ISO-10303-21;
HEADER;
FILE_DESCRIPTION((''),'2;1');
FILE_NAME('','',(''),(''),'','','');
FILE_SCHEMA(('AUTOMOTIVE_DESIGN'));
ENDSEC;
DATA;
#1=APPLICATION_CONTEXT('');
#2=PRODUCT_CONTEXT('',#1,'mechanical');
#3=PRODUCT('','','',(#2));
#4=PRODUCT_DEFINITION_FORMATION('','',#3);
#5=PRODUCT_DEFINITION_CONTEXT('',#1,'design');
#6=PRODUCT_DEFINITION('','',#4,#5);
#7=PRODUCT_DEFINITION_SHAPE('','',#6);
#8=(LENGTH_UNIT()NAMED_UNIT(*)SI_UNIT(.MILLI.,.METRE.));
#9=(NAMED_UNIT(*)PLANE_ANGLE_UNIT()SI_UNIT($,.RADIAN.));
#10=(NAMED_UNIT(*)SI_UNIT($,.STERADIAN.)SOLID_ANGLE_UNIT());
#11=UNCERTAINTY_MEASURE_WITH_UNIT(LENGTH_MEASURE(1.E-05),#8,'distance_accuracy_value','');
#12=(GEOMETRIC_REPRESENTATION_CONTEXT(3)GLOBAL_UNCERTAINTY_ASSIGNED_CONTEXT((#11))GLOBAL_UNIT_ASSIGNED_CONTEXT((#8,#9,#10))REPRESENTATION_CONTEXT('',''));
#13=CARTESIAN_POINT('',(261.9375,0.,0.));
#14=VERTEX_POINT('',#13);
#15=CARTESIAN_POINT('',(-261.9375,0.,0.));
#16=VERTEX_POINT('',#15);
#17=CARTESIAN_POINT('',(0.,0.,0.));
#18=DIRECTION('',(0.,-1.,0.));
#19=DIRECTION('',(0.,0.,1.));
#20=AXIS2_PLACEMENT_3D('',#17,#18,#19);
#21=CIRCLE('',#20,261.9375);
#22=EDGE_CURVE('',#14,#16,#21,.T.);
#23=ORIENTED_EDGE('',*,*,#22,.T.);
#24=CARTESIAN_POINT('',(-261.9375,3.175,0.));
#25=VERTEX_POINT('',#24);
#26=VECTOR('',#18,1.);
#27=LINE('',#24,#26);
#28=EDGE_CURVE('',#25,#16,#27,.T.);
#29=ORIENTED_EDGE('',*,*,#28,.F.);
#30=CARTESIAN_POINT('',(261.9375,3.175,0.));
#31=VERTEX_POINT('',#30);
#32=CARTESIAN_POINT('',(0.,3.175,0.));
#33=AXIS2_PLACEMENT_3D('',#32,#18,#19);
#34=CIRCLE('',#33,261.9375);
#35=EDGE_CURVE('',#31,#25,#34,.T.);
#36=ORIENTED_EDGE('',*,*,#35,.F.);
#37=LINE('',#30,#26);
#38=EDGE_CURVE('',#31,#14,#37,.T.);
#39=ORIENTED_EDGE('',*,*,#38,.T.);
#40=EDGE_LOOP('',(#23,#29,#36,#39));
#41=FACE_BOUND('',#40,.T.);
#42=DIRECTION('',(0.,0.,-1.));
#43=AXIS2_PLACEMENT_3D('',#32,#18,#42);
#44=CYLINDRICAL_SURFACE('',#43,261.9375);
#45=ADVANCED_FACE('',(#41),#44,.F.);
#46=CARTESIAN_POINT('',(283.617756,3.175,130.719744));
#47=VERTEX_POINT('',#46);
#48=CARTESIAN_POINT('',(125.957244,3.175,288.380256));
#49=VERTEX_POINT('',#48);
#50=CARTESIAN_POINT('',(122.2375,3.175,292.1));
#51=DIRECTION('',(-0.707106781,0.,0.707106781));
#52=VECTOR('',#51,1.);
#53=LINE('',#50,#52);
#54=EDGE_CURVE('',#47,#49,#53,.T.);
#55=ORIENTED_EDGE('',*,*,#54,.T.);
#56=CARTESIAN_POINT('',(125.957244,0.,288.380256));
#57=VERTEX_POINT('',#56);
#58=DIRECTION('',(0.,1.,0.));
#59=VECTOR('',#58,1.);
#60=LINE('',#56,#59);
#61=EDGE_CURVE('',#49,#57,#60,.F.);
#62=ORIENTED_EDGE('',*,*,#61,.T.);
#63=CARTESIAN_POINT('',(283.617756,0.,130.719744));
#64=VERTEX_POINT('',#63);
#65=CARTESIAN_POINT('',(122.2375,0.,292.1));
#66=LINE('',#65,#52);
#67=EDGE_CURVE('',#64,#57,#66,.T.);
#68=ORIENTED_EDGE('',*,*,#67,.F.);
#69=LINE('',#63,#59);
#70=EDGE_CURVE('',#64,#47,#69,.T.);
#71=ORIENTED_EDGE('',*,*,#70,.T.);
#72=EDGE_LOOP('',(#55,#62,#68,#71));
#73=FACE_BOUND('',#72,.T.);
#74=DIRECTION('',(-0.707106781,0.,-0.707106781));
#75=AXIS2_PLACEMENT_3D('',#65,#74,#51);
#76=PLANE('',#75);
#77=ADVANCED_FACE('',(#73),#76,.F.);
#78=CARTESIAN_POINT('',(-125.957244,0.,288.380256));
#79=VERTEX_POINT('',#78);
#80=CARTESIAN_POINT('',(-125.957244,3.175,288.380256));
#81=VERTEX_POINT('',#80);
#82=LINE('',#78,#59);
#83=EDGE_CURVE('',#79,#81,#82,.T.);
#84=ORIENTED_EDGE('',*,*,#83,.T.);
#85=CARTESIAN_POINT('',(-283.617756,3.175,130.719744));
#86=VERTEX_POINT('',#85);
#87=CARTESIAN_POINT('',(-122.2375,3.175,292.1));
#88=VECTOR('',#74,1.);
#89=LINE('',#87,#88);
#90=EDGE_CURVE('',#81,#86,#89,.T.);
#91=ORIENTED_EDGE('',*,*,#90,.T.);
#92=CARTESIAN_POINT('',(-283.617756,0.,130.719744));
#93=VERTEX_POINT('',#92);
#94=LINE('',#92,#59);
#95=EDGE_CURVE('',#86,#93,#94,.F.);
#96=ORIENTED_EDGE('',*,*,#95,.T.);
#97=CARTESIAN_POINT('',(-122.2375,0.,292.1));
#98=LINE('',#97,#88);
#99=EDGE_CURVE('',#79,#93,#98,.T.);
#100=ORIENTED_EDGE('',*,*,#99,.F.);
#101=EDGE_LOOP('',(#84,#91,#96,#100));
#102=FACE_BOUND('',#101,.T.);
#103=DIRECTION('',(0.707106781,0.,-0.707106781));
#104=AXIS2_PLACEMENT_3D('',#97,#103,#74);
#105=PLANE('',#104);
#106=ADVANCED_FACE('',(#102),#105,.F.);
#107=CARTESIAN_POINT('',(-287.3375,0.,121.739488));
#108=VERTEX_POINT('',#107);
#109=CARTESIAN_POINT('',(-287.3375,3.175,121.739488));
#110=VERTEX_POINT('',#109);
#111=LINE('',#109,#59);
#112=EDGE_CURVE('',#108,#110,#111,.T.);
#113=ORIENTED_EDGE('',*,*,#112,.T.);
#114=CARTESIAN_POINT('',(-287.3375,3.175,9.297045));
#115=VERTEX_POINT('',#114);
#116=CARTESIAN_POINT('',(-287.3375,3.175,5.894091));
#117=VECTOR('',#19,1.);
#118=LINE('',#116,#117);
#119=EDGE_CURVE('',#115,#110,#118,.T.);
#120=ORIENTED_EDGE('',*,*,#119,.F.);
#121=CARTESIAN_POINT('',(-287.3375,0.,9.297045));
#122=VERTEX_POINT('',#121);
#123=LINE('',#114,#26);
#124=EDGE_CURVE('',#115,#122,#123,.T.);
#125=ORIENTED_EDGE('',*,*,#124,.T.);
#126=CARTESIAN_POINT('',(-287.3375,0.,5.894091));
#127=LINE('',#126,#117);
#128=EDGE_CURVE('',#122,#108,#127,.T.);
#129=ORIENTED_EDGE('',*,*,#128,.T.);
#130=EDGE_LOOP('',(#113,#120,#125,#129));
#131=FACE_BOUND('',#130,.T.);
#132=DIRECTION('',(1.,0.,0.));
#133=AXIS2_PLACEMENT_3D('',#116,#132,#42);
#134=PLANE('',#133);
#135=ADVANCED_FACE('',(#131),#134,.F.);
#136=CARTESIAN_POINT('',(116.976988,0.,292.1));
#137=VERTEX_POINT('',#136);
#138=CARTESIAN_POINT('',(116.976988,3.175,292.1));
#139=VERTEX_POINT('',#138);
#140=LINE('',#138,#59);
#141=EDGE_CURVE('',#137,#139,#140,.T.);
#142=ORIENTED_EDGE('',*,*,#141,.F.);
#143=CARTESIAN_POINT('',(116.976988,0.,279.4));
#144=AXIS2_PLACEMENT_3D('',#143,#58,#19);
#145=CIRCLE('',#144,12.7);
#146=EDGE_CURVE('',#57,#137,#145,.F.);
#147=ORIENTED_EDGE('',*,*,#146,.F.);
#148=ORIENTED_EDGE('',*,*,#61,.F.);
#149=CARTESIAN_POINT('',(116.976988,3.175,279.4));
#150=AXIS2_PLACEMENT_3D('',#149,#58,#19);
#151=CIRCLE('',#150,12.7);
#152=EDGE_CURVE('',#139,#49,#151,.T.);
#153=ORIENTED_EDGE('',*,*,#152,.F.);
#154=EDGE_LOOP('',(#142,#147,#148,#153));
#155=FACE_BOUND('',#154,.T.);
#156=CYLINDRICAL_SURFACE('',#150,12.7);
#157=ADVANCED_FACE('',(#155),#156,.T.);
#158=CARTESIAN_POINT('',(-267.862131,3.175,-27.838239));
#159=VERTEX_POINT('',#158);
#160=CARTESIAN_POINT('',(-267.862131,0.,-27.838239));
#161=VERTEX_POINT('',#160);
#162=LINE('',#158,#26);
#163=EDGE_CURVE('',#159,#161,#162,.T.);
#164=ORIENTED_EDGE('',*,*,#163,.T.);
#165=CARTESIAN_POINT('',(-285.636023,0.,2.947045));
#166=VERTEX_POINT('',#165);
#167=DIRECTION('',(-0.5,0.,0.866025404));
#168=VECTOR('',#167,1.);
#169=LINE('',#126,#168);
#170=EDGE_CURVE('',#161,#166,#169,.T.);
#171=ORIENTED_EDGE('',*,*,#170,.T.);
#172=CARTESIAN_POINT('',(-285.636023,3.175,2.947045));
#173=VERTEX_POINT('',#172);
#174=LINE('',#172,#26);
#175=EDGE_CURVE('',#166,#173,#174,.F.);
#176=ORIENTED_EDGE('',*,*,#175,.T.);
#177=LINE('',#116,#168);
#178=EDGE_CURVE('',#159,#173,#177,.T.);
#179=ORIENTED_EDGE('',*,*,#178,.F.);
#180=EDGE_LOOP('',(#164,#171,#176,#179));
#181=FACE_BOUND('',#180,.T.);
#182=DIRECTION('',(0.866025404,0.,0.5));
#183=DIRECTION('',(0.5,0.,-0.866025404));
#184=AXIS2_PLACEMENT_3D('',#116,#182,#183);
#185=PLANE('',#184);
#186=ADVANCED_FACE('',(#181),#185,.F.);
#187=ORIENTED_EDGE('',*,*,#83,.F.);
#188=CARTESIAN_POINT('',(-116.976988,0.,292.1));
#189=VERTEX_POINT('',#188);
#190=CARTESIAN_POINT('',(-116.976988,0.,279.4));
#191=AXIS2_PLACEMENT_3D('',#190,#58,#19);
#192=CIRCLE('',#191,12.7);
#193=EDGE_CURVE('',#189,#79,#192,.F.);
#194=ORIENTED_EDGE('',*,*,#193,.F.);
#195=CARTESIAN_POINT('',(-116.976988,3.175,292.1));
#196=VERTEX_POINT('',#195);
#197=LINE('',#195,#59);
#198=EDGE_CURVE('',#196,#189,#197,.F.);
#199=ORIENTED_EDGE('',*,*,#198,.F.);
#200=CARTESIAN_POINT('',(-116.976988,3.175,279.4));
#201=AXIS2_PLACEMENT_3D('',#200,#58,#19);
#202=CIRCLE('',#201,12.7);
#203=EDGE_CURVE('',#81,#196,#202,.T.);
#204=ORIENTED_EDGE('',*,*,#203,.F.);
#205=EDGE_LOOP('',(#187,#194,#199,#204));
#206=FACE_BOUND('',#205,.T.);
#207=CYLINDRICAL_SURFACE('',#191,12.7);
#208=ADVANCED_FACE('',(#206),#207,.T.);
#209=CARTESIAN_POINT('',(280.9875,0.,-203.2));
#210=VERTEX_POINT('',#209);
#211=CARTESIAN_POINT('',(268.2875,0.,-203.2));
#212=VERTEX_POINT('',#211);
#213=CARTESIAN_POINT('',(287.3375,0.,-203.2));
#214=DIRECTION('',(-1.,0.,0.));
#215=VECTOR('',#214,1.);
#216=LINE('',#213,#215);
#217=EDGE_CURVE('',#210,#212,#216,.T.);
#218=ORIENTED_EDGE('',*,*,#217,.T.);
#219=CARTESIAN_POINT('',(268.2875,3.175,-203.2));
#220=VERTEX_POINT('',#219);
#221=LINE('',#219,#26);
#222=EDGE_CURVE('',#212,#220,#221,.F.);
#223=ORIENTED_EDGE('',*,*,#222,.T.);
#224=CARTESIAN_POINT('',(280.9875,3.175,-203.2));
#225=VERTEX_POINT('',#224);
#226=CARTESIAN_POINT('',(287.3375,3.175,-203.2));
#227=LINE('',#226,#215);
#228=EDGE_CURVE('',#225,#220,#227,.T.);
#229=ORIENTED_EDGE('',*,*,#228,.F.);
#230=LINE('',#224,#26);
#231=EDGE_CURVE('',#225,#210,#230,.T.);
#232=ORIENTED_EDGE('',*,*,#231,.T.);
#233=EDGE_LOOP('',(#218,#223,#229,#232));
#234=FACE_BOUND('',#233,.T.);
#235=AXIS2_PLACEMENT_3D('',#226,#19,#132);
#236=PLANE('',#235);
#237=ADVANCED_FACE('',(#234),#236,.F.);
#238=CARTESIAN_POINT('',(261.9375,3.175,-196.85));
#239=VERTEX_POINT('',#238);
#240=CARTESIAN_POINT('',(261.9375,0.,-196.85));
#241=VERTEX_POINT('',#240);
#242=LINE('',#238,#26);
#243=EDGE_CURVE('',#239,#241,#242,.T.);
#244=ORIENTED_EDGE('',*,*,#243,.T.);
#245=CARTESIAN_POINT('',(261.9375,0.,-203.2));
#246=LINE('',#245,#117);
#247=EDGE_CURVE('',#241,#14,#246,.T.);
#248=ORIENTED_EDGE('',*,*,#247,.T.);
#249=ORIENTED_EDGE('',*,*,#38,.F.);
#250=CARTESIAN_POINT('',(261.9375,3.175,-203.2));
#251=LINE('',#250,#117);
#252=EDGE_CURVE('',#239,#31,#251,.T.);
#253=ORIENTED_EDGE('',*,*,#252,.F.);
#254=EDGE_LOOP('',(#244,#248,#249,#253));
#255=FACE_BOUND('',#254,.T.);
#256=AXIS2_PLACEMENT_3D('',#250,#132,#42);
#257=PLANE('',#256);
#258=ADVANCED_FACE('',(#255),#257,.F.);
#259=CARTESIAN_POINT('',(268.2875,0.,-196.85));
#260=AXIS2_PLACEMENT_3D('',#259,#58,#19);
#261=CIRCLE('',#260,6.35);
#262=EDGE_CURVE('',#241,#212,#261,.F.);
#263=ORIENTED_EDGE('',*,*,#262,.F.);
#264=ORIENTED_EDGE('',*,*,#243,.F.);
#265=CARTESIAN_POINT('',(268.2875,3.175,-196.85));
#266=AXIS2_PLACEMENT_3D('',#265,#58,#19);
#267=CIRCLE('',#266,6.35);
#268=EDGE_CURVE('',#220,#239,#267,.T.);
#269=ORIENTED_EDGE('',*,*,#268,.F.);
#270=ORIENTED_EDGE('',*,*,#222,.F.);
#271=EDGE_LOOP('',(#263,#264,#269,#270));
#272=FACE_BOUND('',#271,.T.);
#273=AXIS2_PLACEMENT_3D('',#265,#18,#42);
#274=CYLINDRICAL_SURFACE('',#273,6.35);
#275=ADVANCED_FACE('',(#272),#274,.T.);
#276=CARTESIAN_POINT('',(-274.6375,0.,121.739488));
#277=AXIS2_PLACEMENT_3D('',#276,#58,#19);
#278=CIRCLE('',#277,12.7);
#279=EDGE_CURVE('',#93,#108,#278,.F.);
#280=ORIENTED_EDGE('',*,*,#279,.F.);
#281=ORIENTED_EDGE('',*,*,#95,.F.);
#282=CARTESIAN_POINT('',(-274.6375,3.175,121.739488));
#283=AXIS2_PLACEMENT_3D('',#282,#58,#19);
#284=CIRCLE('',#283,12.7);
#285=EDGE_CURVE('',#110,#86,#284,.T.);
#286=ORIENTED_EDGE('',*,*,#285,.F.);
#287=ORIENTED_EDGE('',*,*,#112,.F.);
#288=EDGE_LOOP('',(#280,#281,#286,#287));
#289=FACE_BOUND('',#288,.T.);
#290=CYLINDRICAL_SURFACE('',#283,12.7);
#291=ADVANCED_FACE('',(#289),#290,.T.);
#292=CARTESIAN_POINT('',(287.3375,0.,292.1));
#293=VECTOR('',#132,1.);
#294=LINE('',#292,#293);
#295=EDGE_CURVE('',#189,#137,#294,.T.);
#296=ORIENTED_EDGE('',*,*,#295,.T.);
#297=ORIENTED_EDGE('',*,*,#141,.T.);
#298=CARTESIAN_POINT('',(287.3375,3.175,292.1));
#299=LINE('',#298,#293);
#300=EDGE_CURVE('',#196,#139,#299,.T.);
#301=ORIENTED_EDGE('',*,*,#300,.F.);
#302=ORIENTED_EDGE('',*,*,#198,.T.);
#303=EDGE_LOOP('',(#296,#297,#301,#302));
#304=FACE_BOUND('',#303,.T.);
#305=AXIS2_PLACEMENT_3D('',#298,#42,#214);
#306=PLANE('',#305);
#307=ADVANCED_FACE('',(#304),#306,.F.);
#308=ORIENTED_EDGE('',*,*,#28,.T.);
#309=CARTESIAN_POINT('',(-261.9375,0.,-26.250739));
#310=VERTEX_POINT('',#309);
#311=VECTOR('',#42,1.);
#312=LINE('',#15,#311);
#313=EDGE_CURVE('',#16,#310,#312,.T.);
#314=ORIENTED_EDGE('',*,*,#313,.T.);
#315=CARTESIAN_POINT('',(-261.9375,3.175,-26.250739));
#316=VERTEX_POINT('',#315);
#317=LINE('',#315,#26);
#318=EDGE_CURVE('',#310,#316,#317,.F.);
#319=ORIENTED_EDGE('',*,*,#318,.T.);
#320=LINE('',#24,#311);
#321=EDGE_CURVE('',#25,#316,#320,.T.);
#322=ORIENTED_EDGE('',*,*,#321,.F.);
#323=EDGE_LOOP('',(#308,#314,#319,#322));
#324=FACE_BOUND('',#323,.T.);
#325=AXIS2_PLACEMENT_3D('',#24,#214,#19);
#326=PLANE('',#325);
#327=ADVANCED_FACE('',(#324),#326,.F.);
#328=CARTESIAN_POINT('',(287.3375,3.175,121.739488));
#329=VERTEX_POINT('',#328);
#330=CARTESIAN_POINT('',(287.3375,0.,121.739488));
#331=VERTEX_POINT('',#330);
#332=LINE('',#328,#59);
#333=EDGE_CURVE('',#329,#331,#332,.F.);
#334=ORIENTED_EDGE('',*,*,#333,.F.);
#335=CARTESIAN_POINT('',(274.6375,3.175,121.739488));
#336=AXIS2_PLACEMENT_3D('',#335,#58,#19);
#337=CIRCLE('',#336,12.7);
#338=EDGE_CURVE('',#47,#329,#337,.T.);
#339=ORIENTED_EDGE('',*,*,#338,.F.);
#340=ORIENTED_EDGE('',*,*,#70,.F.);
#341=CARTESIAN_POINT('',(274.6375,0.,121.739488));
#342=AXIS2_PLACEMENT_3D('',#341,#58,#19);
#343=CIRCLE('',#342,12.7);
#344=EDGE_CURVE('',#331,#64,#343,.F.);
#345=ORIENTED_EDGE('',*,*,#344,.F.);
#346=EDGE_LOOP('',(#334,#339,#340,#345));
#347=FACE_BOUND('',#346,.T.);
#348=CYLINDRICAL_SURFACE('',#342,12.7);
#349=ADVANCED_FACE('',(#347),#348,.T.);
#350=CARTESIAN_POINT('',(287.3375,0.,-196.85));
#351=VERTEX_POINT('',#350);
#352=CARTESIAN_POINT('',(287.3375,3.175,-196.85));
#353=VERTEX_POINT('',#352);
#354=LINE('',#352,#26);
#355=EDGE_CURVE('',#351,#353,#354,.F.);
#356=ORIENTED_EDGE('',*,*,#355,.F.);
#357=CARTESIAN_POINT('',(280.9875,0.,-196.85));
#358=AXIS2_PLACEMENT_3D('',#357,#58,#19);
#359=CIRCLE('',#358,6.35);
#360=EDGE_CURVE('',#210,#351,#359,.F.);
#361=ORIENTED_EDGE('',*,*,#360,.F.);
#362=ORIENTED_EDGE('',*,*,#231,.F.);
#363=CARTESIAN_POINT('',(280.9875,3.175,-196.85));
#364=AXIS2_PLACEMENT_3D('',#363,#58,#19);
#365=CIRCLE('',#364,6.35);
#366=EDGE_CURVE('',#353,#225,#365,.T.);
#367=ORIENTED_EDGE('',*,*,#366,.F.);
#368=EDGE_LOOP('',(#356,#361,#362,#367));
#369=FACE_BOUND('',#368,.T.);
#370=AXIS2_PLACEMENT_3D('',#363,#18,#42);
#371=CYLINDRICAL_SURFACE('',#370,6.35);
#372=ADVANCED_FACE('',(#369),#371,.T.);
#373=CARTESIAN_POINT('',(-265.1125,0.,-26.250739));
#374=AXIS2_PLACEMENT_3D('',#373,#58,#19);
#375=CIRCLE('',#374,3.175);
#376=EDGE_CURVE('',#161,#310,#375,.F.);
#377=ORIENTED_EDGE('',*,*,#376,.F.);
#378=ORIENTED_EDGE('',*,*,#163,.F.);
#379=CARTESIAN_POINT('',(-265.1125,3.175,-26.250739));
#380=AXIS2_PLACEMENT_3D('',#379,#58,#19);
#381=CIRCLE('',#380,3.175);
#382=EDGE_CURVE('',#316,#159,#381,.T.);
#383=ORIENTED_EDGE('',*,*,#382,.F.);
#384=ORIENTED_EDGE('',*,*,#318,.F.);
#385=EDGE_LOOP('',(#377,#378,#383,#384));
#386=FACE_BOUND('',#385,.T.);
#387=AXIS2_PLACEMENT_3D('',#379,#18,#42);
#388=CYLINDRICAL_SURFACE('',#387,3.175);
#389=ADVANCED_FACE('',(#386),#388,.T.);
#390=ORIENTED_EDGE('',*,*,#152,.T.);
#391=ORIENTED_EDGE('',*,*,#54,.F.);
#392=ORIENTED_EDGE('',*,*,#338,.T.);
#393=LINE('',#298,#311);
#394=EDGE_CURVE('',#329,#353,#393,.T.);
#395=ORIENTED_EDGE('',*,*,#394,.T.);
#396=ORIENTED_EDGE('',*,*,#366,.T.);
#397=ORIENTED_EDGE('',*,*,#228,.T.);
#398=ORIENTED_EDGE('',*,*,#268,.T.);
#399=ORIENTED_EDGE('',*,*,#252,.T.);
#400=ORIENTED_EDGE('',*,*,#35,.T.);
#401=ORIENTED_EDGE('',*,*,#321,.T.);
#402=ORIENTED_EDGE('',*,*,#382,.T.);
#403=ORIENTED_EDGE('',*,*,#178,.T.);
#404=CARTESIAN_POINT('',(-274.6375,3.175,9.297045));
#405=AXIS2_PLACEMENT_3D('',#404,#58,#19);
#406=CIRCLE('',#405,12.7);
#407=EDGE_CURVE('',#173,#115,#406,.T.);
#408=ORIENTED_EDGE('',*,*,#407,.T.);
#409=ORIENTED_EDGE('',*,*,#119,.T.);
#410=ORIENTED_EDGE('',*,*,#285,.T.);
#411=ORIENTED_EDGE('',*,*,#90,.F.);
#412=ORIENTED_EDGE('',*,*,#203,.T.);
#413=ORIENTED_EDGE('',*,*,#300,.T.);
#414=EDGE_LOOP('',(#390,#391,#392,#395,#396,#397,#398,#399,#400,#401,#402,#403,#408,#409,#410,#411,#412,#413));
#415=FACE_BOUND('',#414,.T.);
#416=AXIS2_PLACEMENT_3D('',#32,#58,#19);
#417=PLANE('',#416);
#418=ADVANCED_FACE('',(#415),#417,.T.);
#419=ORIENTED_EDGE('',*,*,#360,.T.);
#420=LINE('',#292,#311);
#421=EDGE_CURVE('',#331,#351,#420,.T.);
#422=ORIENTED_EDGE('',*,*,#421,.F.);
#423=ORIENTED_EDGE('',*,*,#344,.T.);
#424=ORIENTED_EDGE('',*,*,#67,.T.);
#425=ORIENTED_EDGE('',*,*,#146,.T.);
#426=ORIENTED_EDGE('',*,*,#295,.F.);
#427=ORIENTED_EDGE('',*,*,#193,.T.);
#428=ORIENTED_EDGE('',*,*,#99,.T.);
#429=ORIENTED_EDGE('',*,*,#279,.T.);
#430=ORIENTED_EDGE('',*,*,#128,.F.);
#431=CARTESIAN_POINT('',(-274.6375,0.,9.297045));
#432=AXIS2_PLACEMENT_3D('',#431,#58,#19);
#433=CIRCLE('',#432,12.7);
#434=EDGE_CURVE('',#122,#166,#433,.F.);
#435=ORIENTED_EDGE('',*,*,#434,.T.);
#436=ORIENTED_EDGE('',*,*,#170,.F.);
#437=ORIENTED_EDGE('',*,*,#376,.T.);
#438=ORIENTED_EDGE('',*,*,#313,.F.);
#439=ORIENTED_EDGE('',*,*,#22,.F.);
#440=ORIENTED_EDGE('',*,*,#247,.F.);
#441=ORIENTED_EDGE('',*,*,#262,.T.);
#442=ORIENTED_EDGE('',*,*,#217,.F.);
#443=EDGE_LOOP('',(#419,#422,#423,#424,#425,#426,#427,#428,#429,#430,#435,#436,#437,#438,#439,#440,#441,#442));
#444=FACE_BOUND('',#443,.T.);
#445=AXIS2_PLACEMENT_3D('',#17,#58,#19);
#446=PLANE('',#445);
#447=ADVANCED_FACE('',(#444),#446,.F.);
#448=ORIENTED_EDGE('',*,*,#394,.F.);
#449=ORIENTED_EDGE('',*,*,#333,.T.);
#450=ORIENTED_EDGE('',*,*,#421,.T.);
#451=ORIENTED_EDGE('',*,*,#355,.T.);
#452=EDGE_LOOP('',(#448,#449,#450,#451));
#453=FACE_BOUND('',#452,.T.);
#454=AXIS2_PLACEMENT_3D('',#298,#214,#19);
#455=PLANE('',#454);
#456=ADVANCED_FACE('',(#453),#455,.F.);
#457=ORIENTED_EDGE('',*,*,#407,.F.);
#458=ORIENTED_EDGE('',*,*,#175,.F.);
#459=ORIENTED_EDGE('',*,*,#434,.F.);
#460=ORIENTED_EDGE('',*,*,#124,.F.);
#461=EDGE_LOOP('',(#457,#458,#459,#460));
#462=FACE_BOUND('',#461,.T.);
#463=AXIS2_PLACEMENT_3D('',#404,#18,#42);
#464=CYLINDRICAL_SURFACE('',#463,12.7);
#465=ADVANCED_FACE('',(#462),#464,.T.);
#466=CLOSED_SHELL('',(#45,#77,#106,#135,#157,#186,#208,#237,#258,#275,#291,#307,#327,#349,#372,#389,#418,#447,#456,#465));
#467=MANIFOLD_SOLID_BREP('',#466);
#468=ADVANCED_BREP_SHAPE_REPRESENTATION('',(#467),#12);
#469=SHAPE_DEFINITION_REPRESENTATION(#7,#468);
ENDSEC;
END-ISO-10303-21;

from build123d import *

# Parameters (mm, degrees)
BOSS_EXTRUDE1_DEPTH = 3.175
FILLET1_R           = 3.175
CUT_EXTRUDE1_DEPTH  = 4.175
FILLET2_R           = 12.7
FILLET3_R           = 6.35


with BuildPart() as part:
    # Sketch1 → Boss-Extrude1 (new body)
    with BuildSketch(Plane(origin=(0, 0, 0), x_dir=(1, 0, 0), z_dir=(0, 1, 0))):
        with BuildLine():
            Line((-287.3375, -5.894090512), (-287.3375, -292.1))
            Line((-287.3375, -292.1), (287.3375, -292.1))
            Line((287.3375, -292.1), (287.3375, 203.2))
            Line((287.3375, 203.2), (261.9375, 203.2))
            Line((261.9375, 203.2), (261.9375, 0))
            ThreePointArc((261.9375, 0), (0, -261.9375), (-261.9375, 0))
            Line((-261.9375, 0), (-261.9375, 38.1))
            Line((-261.9375, 38.1), (-287.3375, -5.894090512))
        make_face()
    extrude(amount=BOSS_EXTRUDE1_DEPTH)

    # Fillet1
    fillet1_edges = [part.edges().sort_by_distance(p)[0] for p in [
        (-261.9375, 1.5875, -38.1),
    ]]
    fillet(fillet1_edges, radius=FILLET1_R)

    # Sketch2 → Cut-Extrude1 (cut, through all)
    with BuildSketch(Plane(origin=(0, 3.175, 0), x_dir=(1, 0, 0), z_dir=(0, 1, 0))):
        Polygon((287.3375, -292.1), (122.2375, -292.1), (287.3375, -127), align=None)
        Polygon((-287.3375, -292.1), (-122.2375, -292.1), (-287.3375, -127), align=None)
    extrude(amount=-CUT_EXTRUDE1_DEPTH, mode=Mode.SUBTRACT)

    # Fillet2
    fillet2_edges = [part.edges().sort_by_distance(p)[0] for p in [
        (-287.3375, 1.5875, 5.894090512),
        (287.3375, 1.5875, 127),
        (122.2375, 1.5875, 292.1),
        (-287.3375, 1.5875, 127),
        (-122.2375, 1.5875, 292.1),
    ]]
    fillet(fillet2_edges, radius=FILLET2_R)

    # Fillet3
    fillet3_edges = [part.edges().sort_by_distance(p)[0] for p in [
        (261.9375, 1.5875, -203.2),
        (287.3375, 1.5875, -203.2),
    ]]
    fillet(fillet3_edges, radius=FILLET3_R)


solid = part.part
